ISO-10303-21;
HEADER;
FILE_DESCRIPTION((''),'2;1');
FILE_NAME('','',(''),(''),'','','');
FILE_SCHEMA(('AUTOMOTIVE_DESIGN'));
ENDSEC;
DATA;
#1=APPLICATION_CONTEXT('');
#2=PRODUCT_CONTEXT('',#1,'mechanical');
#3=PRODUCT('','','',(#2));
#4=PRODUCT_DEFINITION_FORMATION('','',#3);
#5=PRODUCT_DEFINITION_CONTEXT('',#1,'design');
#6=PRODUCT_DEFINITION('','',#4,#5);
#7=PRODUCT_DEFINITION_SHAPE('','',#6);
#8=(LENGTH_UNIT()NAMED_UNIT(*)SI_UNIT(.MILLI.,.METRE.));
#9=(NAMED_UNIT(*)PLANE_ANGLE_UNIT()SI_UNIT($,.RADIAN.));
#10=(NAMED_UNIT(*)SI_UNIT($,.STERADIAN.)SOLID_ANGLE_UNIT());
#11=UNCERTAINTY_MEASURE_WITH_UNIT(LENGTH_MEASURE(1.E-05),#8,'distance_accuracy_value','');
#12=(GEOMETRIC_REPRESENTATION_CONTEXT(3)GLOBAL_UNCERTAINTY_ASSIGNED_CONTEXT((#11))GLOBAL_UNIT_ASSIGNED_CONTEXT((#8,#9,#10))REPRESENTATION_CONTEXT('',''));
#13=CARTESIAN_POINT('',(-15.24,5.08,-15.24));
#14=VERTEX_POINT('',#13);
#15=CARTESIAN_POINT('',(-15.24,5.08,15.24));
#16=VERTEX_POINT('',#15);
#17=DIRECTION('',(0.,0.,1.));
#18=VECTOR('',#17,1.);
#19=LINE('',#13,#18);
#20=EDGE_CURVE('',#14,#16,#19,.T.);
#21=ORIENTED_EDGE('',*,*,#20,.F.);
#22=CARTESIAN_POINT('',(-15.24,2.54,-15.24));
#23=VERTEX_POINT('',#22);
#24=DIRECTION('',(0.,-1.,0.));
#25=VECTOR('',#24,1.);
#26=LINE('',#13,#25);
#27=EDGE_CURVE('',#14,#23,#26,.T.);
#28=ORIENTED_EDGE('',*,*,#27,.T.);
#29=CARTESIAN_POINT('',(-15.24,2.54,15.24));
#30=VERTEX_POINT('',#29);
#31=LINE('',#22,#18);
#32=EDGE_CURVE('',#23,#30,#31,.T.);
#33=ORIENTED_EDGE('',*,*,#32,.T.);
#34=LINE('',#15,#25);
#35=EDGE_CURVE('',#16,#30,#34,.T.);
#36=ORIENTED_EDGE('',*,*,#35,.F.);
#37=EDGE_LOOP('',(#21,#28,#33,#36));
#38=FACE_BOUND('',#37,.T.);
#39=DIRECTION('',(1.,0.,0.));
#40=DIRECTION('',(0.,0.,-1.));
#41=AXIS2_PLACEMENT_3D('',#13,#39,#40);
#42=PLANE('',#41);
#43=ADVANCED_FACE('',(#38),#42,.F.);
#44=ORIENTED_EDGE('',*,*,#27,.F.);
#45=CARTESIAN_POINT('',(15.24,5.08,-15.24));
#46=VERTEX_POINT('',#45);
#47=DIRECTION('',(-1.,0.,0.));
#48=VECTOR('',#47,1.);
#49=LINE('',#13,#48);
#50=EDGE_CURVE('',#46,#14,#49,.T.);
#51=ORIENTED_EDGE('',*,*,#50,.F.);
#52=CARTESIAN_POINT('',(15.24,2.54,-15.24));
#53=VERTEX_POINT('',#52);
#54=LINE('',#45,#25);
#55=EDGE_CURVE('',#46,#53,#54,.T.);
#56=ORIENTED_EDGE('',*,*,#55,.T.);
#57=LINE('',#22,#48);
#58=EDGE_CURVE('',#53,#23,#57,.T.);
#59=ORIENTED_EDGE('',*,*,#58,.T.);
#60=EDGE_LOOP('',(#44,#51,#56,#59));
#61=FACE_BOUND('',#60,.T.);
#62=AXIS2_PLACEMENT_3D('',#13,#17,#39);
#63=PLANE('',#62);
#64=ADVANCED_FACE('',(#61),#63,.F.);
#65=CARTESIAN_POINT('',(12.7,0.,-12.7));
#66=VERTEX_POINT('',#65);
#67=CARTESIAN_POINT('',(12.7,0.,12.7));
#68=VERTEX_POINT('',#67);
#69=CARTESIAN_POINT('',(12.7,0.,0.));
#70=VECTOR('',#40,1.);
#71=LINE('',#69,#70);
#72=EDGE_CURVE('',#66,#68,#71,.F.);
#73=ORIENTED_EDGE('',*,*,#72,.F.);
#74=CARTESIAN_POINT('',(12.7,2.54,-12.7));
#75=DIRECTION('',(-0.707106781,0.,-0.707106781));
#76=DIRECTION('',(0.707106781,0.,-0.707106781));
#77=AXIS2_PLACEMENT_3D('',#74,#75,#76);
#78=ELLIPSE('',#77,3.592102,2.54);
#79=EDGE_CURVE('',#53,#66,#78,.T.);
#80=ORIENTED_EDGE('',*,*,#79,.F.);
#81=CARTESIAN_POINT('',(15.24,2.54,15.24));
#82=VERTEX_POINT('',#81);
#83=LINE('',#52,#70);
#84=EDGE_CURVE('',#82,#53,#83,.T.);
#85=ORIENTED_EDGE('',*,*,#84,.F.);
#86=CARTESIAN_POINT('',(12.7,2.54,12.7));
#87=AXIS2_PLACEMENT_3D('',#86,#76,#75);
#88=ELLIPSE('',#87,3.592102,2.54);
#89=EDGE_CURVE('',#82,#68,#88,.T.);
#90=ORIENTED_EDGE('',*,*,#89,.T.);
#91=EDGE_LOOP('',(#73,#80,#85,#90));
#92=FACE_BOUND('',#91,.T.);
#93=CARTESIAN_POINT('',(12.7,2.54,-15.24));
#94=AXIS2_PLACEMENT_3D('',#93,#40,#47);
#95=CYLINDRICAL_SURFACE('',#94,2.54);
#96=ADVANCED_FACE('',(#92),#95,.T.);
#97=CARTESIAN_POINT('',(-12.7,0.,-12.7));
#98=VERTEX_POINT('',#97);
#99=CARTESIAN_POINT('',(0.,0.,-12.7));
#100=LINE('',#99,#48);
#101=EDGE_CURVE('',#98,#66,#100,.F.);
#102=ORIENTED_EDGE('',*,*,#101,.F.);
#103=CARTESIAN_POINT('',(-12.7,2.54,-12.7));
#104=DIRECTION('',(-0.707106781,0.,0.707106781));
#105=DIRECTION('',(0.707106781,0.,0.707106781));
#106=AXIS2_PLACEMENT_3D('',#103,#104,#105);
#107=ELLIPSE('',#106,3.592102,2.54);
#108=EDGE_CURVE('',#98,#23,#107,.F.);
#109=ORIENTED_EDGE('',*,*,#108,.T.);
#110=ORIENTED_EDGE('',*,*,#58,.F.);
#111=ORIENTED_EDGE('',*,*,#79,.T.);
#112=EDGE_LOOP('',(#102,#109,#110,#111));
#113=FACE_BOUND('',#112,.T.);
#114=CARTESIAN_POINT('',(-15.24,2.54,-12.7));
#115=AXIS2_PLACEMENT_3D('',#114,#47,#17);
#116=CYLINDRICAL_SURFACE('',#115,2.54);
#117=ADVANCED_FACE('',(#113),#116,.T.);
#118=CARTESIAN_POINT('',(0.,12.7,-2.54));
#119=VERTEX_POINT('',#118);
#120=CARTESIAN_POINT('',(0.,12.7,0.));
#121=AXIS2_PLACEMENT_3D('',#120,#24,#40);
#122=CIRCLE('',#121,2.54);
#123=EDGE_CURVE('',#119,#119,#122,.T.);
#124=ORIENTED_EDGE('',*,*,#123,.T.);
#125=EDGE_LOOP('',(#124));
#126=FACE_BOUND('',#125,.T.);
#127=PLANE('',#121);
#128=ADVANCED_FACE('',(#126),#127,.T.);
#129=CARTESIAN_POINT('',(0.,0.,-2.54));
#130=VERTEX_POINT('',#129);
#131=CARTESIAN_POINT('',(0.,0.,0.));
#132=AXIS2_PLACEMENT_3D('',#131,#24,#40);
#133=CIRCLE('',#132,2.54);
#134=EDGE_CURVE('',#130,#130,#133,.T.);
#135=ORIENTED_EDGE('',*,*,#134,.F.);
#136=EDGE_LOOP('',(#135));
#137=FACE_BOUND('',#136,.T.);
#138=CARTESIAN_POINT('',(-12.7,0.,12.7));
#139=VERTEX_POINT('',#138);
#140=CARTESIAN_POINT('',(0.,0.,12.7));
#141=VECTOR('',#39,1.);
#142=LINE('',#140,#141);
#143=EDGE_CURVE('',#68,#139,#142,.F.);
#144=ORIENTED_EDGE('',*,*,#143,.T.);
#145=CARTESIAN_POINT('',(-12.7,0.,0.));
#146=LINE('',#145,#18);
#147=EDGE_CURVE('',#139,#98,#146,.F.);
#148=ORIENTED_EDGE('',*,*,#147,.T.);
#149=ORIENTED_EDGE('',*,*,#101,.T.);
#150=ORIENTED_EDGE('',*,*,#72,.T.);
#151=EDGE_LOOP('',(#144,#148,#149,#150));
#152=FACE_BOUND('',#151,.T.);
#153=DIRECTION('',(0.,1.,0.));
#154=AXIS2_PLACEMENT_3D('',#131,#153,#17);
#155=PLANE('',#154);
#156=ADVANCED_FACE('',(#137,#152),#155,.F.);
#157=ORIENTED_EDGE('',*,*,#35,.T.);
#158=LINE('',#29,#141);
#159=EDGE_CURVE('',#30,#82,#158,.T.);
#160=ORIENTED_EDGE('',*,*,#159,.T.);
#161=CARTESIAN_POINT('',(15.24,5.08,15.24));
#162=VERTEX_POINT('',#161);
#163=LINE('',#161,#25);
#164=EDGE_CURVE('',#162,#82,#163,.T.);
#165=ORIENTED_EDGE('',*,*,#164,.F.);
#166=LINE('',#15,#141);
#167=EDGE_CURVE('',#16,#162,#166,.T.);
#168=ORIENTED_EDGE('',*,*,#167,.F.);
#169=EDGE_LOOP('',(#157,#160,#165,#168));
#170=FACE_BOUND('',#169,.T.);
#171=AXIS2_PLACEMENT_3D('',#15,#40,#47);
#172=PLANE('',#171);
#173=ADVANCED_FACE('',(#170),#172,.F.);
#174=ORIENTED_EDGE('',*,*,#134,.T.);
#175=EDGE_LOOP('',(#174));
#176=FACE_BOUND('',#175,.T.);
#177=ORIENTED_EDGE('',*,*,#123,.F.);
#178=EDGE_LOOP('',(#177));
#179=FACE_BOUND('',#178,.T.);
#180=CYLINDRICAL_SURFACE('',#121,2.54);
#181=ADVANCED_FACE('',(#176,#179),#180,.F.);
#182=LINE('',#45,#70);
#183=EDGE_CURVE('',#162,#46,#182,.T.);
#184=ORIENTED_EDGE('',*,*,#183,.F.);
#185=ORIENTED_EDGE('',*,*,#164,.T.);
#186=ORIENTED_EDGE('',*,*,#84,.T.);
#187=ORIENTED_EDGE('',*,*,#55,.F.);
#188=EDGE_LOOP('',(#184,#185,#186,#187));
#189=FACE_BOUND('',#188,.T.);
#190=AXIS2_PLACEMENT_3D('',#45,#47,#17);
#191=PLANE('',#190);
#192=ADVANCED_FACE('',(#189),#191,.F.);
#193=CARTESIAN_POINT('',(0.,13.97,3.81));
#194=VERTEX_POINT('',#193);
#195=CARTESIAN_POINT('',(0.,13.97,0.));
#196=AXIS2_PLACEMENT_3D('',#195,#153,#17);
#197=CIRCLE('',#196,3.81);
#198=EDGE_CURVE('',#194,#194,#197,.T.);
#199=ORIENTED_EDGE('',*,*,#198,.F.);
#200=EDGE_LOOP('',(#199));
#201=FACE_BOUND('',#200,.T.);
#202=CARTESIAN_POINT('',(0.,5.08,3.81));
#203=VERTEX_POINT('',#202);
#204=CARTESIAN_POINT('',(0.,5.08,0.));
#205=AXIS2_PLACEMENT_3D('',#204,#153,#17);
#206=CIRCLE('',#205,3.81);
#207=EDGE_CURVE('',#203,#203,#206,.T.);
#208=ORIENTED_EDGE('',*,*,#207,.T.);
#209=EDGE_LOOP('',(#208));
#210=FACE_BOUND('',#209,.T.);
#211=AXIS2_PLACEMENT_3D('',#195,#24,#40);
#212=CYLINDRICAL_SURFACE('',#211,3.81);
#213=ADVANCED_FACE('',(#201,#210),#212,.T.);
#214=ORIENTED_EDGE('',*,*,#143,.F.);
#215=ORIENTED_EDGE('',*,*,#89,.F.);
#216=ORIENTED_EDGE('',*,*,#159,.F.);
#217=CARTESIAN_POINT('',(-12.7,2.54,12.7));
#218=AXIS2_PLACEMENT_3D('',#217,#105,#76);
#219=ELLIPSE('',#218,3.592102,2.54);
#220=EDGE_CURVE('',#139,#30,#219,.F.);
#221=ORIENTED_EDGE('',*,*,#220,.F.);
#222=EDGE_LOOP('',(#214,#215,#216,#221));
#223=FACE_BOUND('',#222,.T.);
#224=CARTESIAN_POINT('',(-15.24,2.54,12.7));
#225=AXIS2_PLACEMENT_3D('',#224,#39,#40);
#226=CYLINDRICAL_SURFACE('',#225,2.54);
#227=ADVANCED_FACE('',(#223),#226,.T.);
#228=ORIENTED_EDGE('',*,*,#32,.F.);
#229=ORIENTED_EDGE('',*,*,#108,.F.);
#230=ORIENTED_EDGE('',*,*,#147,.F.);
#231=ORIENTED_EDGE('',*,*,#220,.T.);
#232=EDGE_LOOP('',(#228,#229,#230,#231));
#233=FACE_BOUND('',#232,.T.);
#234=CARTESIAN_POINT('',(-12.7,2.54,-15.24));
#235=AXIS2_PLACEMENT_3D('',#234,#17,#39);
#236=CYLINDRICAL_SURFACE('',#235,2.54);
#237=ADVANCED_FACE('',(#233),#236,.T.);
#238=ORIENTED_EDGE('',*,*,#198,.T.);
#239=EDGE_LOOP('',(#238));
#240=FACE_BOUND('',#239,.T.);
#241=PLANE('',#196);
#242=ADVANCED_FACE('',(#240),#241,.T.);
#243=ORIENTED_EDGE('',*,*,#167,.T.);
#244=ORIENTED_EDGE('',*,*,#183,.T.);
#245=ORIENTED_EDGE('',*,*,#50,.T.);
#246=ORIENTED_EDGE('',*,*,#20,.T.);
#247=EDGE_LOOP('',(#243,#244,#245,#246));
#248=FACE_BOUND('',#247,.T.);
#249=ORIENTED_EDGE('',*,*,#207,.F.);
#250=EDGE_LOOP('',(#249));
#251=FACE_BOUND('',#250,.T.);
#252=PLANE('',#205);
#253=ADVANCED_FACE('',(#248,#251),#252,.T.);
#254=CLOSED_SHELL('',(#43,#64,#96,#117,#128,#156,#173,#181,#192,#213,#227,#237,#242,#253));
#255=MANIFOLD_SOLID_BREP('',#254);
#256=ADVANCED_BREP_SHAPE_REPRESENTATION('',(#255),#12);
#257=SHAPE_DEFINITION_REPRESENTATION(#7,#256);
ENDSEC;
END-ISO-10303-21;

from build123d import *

# Parameters (mm, degrees)
SKETCH1_W           = 30.48
SKETCH1_H           = 30.48
BOSS_EXTRUDE1_DEPTH = 5.08
SKETCH2_R           = 3.81
BOSS_EXTRUDE2_DEPTH = 8.89
FILLET1_R           = 2.54
SKETCH3_R           = 2.54
CUT_EXTRUDE1_DEPTH  = 12.7


with BuildPart() as part:
    # Sketch1 → Boss-Extrude1 (new body)
    with BuildSketch(Plane(origin=(0, 0, 0), x_dir=(1, 0, 0), z_dir=(0, 1, 0))):
        Rectangle(SKETCH1_W, SKETCH1_H)
    extrude(amount=BOSS_EXTRUDE1_DEPTH)

    # Sketch2 → Boss-Extrude2 (add)
    with BuildSketch(Plane(origin=(0, 5.08, 0), x_dir=(1, 0, 0), z_dir=(0, 1, 0))):
        Circle(SKETCH2_R)
    extrude(amount=BOSS_EXTRUDE2_DEPTH)

    # Fillet1
    fillet1_edges = [part.edges().sort_by_distance(p)[0] for p in [
        (0, 0, 15.24),
        (-15.24, 0, 0),
        (0, 0, -15.24),
        (15.24, 0, 0),
    ]]
    fillet(fillet1_edges, radius=FILLET1_R)

    # Sketch3 → Cut-Extrude1 (cut)
    with BuildSketch(Plane.XZ):
        Circle(SKETCH3_R)
    extrude(amount=-CUT_EXTRUDE1_DEPTH, mode=Mode.SUBTRACT)


solid = part.part
